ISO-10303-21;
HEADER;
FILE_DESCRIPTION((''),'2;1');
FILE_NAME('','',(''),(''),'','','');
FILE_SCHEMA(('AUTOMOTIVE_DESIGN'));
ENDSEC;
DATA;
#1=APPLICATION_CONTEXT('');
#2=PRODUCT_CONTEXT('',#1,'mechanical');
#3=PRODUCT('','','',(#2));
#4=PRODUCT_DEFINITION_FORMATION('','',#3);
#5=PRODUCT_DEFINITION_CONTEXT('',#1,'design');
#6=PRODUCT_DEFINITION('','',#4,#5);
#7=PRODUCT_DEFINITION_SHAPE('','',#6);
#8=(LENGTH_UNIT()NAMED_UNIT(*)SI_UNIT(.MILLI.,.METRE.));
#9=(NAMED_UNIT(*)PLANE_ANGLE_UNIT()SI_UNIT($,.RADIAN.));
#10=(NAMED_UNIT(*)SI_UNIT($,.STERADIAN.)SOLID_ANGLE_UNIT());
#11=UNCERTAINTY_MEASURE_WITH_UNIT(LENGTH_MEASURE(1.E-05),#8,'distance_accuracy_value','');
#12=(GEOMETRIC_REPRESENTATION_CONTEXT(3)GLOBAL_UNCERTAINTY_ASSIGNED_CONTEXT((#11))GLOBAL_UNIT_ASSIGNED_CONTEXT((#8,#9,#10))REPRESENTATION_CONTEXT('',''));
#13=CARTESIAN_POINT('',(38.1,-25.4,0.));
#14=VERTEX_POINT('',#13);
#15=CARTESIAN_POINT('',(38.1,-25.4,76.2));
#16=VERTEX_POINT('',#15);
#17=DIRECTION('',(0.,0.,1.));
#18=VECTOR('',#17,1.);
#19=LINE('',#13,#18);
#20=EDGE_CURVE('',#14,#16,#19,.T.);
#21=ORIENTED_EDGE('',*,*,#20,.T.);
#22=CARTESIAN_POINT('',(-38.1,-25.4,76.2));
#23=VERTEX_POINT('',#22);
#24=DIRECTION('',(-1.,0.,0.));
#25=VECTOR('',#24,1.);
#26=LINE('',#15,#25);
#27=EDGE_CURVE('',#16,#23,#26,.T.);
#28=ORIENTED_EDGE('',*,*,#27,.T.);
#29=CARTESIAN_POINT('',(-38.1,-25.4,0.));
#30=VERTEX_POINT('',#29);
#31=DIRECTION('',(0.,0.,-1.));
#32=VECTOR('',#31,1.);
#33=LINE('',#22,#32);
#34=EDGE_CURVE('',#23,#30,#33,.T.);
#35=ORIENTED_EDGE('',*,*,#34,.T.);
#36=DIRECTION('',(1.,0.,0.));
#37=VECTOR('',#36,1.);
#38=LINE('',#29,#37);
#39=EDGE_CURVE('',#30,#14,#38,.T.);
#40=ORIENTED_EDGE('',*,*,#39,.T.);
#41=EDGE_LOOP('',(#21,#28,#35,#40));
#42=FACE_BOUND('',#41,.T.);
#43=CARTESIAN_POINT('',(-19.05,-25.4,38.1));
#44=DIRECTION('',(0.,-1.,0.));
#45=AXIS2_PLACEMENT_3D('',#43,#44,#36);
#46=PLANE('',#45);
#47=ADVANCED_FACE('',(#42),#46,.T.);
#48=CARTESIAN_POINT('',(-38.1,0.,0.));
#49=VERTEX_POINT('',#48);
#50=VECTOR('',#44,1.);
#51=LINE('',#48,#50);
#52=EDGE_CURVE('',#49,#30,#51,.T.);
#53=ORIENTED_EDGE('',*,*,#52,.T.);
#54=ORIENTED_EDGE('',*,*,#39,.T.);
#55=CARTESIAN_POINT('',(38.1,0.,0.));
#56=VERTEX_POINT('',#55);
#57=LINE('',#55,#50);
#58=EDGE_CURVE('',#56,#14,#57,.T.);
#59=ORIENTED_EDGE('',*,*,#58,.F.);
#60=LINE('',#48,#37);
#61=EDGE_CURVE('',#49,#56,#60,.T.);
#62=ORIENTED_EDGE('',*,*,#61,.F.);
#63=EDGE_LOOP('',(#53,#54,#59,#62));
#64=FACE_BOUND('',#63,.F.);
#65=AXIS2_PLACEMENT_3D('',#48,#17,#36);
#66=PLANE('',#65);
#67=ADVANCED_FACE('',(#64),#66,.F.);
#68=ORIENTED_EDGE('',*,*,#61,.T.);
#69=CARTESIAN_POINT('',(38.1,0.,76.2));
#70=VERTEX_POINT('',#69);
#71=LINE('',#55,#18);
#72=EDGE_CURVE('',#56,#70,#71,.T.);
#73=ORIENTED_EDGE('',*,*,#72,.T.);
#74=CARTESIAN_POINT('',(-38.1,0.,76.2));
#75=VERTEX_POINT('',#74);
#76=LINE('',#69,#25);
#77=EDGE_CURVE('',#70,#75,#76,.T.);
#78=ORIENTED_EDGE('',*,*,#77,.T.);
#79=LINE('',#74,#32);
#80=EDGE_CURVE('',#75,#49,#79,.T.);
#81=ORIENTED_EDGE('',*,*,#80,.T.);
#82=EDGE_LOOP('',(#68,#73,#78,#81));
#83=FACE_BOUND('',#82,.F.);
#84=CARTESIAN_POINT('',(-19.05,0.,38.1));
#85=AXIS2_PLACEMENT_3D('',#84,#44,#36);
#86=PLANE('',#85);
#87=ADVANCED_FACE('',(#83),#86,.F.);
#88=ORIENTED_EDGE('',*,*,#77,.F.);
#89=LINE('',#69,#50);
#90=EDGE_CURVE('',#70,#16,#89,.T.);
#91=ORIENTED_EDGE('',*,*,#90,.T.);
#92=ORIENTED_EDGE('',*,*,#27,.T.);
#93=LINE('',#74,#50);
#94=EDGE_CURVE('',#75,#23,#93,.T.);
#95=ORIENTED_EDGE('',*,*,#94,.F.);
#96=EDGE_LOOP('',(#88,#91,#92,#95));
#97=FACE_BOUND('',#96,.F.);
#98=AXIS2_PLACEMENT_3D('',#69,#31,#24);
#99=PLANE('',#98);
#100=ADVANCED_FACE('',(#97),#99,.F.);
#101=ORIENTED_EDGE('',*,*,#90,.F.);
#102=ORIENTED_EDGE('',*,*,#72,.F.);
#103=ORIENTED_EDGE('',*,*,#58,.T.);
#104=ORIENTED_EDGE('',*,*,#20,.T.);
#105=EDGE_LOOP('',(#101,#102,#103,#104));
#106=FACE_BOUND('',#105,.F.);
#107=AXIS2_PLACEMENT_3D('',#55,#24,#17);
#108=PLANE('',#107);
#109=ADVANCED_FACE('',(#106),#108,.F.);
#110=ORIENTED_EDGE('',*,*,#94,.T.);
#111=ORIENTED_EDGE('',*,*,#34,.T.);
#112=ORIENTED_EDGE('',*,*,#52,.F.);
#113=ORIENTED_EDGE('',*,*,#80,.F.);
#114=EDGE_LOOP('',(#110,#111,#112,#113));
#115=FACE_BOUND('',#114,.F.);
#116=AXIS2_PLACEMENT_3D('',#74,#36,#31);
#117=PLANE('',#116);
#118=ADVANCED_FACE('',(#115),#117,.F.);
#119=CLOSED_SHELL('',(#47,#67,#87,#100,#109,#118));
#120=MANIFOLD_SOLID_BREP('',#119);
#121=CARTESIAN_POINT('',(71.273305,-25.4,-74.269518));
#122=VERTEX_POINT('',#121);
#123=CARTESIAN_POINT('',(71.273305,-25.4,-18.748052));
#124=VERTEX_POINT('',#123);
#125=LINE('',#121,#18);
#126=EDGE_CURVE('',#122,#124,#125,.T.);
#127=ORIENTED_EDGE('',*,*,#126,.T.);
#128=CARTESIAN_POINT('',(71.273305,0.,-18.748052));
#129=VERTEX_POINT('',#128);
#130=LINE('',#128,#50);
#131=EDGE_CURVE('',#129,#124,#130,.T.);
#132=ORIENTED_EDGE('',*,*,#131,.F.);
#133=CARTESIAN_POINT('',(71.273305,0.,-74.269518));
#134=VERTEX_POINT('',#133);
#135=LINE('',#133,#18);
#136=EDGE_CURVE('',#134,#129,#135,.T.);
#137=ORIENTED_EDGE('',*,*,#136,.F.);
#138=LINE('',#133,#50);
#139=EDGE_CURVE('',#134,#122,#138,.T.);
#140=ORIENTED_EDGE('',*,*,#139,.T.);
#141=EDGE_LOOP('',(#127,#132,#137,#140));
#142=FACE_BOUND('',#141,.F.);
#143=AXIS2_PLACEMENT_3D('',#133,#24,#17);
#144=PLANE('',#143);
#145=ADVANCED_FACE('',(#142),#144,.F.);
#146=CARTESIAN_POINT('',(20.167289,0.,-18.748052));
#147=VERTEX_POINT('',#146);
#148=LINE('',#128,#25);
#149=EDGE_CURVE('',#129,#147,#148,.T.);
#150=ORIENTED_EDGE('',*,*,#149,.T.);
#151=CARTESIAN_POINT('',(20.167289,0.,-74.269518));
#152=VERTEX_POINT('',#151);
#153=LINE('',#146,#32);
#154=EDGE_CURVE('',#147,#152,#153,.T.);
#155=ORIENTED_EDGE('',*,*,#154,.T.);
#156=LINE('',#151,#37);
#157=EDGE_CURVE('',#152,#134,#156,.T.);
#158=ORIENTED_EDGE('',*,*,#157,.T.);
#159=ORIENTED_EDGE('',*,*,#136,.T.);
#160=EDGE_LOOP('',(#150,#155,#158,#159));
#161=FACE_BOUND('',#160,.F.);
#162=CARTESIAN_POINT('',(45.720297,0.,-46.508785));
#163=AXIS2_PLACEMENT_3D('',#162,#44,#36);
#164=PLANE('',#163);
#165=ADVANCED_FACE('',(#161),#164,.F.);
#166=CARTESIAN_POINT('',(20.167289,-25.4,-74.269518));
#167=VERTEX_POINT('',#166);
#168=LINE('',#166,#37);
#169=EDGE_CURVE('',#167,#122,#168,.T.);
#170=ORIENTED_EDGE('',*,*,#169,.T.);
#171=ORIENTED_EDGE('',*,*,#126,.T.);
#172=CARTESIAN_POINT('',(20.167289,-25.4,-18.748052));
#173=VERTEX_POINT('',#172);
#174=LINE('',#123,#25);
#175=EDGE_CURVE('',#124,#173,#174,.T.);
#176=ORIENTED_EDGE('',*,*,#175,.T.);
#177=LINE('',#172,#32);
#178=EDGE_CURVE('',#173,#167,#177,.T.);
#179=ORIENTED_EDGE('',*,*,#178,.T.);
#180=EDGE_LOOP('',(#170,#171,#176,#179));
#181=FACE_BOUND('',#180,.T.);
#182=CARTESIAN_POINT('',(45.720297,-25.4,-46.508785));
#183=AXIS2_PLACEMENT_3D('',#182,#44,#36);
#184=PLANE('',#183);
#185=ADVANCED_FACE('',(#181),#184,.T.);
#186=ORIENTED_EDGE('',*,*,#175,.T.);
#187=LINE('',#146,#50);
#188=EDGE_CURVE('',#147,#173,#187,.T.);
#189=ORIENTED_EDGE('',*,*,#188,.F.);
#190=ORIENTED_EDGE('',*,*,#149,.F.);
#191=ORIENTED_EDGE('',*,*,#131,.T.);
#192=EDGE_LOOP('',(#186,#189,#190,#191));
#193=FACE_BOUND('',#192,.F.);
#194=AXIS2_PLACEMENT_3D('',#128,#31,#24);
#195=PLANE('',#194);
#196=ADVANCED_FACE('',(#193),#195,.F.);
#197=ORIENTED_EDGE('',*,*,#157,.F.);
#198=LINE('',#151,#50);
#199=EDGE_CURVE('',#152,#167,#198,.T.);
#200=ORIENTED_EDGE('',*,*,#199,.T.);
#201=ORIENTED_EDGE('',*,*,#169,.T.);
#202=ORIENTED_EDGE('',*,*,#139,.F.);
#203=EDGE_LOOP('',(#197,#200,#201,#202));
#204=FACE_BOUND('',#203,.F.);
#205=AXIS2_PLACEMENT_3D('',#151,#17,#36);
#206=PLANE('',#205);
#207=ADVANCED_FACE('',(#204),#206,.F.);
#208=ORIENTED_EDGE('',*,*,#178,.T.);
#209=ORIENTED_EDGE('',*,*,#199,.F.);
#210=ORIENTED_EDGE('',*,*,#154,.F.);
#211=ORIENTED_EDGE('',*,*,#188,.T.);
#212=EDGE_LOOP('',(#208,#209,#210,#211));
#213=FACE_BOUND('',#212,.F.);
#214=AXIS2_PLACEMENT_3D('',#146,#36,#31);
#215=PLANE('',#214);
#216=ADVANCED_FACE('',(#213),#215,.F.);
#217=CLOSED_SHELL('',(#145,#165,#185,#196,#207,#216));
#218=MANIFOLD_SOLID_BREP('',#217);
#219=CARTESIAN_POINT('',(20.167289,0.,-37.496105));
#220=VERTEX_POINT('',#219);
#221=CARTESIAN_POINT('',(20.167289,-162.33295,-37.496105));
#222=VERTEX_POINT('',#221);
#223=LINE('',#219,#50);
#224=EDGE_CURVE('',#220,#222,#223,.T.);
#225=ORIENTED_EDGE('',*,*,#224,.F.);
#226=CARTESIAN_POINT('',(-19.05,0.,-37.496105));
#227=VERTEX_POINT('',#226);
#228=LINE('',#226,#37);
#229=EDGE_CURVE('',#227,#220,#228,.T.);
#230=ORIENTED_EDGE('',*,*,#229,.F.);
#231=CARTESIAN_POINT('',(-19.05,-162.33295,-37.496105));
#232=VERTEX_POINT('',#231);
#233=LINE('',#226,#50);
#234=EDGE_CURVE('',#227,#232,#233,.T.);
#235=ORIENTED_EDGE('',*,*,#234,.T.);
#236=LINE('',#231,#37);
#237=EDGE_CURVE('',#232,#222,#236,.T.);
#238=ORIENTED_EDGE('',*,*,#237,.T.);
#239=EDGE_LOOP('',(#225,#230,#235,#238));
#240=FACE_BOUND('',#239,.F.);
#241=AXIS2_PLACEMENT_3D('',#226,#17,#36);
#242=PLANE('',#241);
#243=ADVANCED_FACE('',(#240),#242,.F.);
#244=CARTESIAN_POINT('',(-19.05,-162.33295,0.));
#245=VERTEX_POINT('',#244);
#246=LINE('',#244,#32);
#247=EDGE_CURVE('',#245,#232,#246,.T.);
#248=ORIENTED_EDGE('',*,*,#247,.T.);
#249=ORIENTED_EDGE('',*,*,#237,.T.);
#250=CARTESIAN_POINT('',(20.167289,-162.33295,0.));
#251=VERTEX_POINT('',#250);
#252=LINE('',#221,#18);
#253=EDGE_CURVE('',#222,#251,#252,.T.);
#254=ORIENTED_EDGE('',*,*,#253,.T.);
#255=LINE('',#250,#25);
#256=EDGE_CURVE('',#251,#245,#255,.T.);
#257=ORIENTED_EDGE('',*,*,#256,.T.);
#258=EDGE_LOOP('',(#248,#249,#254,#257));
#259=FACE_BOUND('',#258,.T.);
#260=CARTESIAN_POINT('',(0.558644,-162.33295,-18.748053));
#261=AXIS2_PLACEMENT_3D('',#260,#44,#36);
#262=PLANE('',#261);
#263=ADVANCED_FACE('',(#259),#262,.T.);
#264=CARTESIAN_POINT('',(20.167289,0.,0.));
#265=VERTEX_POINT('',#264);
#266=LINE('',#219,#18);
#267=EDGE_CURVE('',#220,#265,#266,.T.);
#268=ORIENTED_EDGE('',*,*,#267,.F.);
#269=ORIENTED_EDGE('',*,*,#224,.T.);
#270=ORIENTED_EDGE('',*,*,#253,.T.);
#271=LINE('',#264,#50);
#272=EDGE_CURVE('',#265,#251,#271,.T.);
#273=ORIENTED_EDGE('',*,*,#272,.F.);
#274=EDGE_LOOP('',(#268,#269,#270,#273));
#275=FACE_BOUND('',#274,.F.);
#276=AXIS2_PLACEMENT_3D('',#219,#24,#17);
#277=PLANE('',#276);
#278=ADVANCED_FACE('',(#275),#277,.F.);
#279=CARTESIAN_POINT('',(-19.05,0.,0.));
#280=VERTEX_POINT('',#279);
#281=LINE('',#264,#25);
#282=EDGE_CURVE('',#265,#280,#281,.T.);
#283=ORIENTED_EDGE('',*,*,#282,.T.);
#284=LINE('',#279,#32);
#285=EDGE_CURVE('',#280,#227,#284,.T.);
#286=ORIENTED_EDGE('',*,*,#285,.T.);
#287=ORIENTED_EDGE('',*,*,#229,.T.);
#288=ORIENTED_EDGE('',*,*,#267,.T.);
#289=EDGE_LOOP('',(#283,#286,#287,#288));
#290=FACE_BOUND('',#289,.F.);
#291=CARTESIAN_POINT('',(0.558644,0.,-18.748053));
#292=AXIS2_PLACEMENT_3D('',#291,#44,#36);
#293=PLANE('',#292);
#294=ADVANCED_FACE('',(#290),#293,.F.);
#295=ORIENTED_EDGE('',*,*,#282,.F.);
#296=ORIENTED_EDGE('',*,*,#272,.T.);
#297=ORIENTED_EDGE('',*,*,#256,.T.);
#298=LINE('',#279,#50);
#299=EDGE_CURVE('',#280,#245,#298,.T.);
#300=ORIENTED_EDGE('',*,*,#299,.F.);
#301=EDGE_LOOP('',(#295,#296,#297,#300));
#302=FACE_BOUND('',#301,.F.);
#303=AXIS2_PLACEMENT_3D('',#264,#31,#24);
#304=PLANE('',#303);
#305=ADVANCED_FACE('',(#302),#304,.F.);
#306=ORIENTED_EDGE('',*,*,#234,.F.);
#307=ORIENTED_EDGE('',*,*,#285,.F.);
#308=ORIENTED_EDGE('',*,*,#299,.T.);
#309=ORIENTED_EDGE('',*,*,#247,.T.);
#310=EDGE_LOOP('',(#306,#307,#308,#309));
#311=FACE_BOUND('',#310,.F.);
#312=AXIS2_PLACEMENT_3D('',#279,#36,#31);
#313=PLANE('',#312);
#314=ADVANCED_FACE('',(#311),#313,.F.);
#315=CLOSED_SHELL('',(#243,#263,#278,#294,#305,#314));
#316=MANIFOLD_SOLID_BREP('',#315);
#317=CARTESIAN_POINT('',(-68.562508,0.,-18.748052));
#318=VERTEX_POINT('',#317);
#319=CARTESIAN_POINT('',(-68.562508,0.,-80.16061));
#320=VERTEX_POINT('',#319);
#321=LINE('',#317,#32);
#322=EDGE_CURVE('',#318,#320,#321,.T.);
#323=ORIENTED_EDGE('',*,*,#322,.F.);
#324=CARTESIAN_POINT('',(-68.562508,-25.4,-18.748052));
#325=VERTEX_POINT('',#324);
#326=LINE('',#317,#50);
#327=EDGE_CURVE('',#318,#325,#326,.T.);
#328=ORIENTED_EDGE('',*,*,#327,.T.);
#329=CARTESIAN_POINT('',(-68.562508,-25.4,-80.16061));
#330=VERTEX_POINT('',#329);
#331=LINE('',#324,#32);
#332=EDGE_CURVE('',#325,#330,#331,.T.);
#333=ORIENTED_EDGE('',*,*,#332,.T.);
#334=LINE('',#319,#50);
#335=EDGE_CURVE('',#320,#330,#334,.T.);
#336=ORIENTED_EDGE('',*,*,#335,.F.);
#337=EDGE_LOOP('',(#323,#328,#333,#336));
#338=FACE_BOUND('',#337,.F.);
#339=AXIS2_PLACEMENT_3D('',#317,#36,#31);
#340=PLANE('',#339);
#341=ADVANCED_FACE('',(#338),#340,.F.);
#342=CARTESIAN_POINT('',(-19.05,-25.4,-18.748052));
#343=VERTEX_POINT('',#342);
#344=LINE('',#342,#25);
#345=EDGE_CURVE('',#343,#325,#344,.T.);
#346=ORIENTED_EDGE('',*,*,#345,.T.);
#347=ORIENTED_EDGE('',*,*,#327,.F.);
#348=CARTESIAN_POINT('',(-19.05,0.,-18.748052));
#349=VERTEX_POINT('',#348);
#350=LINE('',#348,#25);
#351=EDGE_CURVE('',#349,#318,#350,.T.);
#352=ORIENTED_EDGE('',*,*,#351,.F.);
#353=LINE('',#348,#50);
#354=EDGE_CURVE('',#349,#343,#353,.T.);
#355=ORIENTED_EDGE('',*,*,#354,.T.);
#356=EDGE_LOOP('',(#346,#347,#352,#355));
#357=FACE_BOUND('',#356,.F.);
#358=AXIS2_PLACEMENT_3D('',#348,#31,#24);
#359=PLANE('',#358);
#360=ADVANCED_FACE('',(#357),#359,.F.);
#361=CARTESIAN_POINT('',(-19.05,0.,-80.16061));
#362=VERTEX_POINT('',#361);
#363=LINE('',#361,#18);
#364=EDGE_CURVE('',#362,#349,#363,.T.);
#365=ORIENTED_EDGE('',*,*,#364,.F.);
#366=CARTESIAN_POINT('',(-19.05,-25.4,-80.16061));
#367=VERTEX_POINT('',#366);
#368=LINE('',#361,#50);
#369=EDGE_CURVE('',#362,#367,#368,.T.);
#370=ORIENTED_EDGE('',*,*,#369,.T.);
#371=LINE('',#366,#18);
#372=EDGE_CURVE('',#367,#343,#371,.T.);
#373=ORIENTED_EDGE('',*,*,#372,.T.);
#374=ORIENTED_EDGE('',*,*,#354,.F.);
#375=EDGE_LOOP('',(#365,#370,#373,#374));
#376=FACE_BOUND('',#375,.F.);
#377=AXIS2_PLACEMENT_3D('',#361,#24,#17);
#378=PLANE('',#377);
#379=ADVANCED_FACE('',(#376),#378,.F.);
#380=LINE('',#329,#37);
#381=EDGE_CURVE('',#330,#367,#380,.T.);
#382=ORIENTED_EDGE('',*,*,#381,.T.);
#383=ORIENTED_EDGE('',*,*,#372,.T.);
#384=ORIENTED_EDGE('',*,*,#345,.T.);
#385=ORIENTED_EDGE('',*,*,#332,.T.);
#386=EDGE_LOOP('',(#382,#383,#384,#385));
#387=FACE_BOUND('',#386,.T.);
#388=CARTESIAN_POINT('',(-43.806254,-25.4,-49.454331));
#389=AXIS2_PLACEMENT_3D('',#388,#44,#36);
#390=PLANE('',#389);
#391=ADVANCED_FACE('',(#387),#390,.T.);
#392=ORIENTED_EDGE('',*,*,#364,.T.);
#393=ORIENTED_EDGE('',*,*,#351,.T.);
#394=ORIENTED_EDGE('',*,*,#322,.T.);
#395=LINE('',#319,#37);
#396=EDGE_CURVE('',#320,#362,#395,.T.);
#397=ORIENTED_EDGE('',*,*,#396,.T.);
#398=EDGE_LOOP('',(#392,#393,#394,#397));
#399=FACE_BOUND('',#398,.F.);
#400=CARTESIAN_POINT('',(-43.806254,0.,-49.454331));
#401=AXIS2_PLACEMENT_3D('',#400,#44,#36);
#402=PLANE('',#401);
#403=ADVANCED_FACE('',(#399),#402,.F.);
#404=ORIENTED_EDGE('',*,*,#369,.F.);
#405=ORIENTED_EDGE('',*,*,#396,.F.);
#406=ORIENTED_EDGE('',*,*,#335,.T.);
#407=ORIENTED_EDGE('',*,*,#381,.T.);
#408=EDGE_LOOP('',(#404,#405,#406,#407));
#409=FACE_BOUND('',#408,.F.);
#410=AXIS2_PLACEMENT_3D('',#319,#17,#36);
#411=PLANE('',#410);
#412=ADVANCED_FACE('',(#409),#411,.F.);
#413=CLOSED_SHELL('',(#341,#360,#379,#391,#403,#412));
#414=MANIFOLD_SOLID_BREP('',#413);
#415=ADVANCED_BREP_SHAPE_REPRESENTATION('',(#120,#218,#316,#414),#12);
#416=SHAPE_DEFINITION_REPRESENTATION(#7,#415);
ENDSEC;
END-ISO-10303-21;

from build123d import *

# Parameters (mm, degrees)
F1_DEPTH = 25.4
F2_DEPTH = 162.33295


with BuildPart() as f1:
    # F0 (on Front) → F1 (new body)
    with BuildSketch(Plane.XZ):
        Polygon((-19.05, 0), (0, 0), (0, 76.2), (-38.1, 76.2), (-38.1, 0), align=None)
        Polygon((0, 76.2), (0, 0), (20.167289, 0), (38.1, 0), (38.1, 76.2), align=None)
        Polygon((-19.05, -37.496105), (-19.05, -18.748052), (-68.562508, -18.748052), (-68.562508, -80.16061), (-19.05, -80.16061), align=None)
        Polygon((71.273305, -18.748052), (20.167289, -18.748052), (20.167289, -37.496105), (20.167289, -74.269518), (71.273305, -74.269518), align=None)
    extrude(amount=F1_DEPTH)


with BuildPart() as f2:
    # F0 (on Front) → F2 (new body)
    with BuildSketch(Plane.XZ):
        Polygon((20.167289, 0), (0, 0), (-19.05, 0), (-19.05, -18.748052), (-19.05, -37.496105), (20.167289, -37.496105), (20.167289, -18.748052), align=None)
    extrude(amount=F2_DEPTH)


solid = Compound([f1.part, f2.part])
